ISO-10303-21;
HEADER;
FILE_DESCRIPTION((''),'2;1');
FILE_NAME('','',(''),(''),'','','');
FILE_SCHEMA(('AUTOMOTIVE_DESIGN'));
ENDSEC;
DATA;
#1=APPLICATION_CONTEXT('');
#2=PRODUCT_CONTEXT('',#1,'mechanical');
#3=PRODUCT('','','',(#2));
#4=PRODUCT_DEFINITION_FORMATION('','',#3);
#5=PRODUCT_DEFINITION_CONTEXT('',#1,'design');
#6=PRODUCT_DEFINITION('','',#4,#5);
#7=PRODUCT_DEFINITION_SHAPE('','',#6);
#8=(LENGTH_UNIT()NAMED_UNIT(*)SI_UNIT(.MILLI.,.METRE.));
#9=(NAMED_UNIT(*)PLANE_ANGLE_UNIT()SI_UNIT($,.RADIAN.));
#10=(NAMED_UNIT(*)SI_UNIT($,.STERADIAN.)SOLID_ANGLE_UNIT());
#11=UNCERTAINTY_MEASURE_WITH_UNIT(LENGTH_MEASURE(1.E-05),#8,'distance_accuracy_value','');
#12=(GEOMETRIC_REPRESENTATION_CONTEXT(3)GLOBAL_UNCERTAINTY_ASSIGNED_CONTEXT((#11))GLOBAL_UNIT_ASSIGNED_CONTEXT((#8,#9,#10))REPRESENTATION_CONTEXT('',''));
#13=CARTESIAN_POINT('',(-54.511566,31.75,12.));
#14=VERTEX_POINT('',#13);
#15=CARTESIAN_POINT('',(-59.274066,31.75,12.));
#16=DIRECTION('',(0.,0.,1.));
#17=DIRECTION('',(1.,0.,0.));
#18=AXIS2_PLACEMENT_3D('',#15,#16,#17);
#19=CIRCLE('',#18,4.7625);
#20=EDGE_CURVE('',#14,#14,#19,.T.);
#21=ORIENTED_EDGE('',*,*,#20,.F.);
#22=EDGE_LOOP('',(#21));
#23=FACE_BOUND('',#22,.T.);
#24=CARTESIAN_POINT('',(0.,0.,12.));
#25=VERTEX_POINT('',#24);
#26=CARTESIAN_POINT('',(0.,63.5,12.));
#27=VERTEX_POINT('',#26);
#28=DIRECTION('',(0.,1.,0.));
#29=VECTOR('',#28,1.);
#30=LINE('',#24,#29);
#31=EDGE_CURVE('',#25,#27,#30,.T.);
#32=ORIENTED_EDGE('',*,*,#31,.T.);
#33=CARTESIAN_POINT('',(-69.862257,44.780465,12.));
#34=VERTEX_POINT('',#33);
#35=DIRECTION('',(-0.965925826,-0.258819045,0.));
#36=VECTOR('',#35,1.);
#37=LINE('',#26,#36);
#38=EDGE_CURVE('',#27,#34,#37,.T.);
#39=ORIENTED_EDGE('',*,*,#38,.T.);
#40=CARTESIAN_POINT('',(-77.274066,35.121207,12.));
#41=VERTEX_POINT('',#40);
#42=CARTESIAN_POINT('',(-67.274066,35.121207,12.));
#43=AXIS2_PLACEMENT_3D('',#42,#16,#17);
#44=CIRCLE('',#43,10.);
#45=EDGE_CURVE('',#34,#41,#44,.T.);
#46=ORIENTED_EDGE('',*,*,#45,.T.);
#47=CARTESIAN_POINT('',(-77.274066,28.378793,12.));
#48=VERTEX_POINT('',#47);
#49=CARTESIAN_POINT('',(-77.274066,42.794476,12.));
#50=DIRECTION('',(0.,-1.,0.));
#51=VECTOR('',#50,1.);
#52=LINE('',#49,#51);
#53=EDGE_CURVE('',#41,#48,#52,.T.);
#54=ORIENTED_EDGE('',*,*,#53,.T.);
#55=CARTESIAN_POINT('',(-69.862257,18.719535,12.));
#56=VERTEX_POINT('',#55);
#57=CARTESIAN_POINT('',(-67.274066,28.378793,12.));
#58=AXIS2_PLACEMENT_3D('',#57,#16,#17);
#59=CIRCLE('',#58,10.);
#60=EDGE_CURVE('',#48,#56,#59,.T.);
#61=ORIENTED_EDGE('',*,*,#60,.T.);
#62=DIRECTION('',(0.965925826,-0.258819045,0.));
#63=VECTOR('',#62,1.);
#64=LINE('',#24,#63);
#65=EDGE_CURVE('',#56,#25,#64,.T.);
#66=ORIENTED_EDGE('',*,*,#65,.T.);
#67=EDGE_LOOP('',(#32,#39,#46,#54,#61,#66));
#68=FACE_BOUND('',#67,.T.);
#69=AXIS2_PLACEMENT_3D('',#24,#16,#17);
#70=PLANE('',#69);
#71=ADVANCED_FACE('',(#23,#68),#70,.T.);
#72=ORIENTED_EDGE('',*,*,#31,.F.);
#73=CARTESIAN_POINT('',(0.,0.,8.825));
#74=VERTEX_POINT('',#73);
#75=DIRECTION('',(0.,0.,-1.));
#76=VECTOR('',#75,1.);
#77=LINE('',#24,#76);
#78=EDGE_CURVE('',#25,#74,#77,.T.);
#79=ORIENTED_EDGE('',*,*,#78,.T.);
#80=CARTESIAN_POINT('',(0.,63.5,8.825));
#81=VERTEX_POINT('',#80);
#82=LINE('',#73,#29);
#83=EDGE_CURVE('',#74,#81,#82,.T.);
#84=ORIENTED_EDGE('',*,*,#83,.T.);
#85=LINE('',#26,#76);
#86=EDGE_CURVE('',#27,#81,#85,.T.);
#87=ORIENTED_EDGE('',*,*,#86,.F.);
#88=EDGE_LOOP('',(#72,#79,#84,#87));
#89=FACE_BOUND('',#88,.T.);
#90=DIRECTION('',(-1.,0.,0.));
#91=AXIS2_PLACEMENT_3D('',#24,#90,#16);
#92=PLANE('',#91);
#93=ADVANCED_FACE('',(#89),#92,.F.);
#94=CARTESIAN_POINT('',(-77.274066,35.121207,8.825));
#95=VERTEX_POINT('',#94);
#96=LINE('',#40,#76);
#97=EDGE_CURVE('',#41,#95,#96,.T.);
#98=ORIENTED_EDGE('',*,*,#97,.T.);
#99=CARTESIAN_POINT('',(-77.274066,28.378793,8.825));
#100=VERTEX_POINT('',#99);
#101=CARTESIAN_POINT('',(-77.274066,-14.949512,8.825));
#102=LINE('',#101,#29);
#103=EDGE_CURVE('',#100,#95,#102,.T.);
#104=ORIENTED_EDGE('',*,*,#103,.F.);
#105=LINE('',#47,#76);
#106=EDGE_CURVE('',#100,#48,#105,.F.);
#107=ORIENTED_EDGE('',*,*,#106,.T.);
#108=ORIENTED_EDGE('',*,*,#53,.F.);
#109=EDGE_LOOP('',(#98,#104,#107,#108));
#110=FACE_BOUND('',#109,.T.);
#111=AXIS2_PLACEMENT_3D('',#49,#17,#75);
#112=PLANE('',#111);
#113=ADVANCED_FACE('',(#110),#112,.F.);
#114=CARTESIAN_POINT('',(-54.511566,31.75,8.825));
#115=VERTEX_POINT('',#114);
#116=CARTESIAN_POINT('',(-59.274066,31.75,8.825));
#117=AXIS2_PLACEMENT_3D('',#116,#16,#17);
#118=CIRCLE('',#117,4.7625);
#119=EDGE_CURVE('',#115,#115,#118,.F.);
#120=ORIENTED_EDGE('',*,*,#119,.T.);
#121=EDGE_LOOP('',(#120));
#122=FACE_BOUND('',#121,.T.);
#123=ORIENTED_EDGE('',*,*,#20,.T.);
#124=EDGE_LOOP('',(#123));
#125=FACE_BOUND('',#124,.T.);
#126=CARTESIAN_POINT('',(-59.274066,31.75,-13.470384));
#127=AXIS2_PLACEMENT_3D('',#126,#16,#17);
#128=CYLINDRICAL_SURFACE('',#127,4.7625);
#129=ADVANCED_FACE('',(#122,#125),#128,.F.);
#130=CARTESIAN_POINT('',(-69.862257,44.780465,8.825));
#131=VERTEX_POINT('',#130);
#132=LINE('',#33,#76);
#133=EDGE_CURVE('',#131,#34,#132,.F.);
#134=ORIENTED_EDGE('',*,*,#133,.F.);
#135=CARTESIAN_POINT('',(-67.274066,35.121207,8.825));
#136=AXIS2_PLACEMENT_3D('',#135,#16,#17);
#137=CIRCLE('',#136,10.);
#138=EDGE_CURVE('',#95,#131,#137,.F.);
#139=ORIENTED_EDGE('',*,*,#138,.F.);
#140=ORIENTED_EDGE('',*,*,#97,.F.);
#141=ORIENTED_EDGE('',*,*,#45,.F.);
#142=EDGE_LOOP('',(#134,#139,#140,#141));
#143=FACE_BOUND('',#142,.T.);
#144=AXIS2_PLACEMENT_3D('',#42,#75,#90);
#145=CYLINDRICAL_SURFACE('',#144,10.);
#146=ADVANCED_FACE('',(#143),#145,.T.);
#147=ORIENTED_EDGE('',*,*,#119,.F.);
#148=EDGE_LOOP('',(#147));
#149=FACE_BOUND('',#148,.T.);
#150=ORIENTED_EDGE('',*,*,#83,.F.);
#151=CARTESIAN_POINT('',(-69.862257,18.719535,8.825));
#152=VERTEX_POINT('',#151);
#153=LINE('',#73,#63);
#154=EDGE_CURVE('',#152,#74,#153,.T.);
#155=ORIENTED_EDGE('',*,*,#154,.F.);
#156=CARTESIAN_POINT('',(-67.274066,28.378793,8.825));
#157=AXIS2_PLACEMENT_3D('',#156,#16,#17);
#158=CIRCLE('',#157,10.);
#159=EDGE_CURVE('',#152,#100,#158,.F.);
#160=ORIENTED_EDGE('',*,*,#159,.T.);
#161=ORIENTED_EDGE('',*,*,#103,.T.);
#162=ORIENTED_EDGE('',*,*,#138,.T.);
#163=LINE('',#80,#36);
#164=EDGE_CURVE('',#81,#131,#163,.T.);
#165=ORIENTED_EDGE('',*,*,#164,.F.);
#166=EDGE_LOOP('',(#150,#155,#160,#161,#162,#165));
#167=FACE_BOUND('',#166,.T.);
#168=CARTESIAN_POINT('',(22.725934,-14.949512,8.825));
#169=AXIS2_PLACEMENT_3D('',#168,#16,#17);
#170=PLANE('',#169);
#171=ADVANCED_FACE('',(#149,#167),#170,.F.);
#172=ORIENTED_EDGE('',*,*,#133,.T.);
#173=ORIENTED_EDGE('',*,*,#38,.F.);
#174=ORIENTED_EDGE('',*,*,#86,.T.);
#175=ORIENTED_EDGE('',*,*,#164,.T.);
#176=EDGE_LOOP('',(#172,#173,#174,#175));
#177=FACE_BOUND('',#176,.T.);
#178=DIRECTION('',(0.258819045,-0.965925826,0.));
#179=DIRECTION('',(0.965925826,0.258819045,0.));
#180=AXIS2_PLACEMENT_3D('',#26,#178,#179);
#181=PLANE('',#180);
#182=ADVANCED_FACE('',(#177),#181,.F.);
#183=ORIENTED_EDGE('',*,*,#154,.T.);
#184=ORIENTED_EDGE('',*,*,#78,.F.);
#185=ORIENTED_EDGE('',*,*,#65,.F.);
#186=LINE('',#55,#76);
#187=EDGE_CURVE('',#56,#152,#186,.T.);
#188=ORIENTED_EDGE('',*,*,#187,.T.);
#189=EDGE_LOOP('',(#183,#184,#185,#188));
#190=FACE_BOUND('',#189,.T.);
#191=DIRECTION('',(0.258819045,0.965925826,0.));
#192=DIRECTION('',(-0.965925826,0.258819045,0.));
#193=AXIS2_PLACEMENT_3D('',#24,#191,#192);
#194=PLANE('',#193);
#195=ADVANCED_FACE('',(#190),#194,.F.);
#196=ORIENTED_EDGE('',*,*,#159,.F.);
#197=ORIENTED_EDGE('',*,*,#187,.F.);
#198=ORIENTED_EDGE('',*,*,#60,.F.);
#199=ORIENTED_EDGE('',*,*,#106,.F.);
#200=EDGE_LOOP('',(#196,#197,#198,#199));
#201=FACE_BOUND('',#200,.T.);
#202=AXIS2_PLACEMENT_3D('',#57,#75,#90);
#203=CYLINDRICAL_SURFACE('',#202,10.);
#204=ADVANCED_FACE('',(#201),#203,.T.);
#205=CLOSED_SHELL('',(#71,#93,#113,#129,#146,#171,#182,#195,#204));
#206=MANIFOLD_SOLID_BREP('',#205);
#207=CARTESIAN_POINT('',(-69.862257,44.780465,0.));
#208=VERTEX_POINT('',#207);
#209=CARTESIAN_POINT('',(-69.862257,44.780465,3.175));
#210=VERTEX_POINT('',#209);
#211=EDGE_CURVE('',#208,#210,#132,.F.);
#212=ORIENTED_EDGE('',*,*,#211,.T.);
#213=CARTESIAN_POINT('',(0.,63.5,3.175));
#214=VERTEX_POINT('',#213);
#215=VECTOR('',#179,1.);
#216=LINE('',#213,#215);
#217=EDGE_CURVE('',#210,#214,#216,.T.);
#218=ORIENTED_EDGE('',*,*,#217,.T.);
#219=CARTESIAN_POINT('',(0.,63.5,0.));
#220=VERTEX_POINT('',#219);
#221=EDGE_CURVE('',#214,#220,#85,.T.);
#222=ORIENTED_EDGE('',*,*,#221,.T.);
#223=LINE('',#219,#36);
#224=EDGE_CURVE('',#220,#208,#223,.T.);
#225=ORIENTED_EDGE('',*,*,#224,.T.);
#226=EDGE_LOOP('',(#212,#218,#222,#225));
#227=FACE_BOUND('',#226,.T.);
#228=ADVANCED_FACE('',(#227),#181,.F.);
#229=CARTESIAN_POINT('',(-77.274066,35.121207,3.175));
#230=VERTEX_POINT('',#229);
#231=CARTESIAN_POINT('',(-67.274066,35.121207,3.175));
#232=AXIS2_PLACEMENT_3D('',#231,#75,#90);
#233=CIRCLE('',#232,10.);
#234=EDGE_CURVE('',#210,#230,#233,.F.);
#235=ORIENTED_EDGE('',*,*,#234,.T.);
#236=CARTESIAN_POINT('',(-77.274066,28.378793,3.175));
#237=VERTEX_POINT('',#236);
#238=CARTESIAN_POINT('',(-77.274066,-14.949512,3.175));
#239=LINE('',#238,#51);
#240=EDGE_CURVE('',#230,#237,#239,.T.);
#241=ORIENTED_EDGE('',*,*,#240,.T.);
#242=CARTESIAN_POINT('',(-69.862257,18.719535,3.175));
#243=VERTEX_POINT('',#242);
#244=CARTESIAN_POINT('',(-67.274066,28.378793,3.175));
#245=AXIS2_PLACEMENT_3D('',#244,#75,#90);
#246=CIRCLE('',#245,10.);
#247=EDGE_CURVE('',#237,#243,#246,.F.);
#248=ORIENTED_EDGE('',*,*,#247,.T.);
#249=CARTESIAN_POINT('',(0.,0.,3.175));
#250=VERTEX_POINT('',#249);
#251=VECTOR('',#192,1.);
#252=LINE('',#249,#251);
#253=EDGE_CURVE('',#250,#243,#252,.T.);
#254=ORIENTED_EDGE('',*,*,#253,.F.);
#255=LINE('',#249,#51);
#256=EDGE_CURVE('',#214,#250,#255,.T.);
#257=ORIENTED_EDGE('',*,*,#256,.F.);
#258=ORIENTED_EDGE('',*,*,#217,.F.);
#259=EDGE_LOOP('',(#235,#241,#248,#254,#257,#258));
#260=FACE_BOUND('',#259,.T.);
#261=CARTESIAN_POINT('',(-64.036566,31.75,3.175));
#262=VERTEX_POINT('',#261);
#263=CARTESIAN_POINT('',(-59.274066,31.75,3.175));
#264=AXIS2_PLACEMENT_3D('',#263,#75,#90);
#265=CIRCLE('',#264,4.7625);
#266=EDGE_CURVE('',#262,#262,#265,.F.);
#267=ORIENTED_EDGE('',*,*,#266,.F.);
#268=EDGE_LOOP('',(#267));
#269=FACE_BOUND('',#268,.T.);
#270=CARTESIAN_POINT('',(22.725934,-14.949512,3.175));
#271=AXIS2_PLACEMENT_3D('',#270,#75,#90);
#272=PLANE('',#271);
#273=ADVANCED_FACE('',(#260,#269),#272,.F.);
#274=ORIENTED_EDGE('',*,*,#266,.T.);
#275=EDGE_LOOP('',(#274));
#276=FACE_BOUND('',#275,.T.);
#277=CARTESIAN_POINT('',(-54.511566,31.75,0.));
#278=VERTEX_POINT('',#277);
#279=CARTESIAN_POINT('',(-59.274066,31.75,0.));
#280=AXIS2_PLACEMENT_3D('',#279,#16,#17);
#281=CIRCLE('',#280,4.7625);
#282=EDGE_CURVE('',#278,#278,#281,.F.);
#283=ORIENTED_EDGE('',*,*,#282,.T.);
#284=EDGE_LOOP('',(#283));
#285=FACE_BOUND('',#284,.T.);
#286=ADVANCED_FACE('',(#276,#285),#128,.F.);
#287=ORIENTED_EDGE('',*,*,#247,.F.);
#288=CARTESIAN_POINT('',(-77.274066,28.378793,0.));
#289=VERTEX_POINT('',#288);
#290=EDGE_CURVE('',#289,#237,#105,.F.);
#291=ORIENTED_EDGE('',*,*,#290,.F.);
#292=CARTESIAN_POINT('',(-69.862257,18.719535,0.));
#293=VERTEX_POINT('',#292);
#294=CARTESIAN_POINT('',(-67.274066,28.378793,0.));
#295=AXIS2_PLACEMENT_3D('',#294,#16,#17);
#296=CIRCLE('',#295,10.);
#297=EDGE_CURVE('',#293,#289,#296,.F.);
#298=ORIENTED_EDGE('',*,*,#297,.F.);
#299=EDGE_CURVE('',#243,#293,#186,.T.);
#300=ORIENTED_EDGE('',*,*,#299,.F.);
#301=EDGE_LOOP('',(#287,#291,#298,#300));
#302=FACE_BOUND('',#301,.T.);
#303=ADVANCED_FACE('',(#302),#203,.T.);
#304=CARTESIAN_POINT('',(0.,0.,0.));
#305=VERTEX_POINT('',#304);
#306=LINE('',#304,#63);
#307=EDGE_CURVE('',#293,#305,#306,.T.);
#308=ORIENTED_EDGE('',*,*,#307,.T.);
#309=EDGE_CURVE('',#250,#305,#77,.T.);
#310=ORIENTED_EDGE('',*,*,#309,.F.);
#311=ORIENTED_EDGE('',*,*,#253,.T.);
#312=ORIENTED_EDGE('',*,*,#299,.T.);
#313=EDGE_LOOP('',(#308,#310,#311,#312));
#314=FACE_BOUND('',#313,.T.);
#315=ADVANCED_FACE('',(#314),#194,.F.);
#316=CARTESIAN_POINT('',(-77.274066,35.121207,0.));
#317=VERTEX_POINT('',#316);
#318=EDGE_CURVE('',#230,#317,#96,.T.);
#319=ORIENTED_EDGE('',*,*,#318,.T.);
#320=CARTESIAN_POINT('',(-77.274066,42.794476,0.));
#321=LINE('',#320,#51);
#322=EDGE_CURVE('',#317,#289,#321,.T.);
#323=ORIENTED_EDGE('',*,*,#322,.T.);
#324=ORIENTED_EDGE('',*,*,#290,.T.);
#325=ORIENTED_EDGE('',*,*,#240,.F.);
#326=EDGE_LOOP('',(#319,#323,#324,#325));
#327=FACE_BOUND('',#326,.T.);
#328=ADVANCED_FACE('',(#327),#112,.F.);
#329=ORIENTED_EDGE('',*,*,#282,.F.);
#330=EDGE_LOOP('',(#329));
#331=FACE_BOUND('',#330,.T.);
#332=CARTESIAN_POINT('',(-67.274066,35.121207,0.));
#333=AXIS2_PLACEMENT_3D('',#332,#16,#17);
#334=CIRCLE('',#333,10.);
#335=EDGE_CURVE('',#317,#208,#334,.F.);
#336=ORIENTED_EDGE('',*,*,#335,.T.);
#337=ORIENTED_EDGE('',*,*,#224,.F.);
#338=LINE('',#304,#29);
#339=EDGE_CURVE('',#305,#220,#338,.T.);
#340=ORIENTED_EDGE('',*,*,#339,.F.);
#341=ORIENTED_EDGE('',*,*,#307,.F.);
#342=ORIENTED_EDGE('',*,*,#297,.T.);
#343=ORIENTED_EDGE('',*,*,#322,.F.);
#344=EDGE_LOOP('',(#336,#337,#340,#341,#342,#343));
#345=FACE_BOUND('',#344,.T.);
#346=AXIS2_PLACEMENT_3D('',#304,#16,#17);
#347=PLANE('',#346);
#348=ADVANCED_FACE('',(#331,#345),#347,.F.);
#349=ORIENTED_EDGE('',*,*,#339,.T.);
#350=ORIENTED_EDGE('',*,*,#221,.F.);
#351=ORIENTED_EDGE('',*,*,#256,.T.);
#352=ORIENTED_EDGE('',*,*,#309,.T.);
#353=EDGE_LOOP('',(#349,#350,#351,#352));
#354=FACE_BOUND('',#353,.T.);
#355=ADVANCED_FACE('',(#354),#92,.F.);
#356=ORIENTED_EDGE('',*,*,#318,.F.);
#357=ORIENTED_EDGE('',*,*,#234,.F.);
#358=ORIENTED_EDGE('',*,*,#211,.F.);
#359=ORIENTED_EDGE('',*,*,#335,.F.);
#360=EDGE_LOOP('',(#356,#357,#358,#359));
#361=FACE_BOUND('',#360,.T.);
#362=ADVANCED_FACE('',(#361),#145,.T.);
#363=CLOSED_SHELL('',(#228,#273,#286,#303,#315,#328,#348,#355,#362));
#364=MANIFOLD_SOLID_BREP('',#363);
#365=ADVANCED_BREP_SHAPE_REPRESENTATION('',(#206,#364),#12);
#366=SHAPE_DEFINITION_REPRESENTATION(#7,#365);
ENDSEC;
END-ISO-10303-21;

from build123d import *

# Parameters (mm, degrees)
SALIENTE_EXTRUIR1_DEPTH = 12
CROQUIS2_R              = 4.7625
CORTAR_EXTRUIR1_DEPTH   = 12
REDONDEO1_R             = 10
CROQUIS3_W              = 5.65
CROQUIS3_H              = 93.399024574
CORTAR_EXTRUIR2_DEPTH   = 100


with BuildPart() as part:
    # Croquis1 → Saliente-Extruir1 (new body)
    with BuildSketch(Plane.XY):
        Polygon((0, 0), (0, 63.5), (-77.274066103, 42.794476392), (-77.274066103, 20.705523608), align=None)
    extrude(amount=SALIENTE_EXTRUIR1_DEPTH)

    # Croquis2 → Cortar-Extruir1 (cut)
    with BuildSketch(Plane.XY.offset(12)):
        with Locations((-59.274066103, 31.75)):
            Circle(CROQUIS2_R)
    extrude(amount=-CORTAR_EXTRUIR1_DEPTH, mode=Mode.SUBTRACT)

    # Redondeo1
    redondeo1_edges = [part.edges().sort_by_distance(p)[0] for p in [
        (-77.274066103, 20.705523608, 6),
        (-77.274066103, 42.794476392, 6),
    ]]
    fillet(redondeo1_edges, radius=REDONDEO1_R)

    # Croquis3 → Cortar-Extruir2 (cut)
    with BuildSketch(Plane.ZY.offset(77.274066103)):
        with Locations((6, 31.75)):
            Rectangle(CROQUIS3_W, CROQUIS3_H)
    extrude(amount=-CORTAR_EXTRUIR2_DEPTH, mode=Mode.SUBTRACT)


solid = part.part
